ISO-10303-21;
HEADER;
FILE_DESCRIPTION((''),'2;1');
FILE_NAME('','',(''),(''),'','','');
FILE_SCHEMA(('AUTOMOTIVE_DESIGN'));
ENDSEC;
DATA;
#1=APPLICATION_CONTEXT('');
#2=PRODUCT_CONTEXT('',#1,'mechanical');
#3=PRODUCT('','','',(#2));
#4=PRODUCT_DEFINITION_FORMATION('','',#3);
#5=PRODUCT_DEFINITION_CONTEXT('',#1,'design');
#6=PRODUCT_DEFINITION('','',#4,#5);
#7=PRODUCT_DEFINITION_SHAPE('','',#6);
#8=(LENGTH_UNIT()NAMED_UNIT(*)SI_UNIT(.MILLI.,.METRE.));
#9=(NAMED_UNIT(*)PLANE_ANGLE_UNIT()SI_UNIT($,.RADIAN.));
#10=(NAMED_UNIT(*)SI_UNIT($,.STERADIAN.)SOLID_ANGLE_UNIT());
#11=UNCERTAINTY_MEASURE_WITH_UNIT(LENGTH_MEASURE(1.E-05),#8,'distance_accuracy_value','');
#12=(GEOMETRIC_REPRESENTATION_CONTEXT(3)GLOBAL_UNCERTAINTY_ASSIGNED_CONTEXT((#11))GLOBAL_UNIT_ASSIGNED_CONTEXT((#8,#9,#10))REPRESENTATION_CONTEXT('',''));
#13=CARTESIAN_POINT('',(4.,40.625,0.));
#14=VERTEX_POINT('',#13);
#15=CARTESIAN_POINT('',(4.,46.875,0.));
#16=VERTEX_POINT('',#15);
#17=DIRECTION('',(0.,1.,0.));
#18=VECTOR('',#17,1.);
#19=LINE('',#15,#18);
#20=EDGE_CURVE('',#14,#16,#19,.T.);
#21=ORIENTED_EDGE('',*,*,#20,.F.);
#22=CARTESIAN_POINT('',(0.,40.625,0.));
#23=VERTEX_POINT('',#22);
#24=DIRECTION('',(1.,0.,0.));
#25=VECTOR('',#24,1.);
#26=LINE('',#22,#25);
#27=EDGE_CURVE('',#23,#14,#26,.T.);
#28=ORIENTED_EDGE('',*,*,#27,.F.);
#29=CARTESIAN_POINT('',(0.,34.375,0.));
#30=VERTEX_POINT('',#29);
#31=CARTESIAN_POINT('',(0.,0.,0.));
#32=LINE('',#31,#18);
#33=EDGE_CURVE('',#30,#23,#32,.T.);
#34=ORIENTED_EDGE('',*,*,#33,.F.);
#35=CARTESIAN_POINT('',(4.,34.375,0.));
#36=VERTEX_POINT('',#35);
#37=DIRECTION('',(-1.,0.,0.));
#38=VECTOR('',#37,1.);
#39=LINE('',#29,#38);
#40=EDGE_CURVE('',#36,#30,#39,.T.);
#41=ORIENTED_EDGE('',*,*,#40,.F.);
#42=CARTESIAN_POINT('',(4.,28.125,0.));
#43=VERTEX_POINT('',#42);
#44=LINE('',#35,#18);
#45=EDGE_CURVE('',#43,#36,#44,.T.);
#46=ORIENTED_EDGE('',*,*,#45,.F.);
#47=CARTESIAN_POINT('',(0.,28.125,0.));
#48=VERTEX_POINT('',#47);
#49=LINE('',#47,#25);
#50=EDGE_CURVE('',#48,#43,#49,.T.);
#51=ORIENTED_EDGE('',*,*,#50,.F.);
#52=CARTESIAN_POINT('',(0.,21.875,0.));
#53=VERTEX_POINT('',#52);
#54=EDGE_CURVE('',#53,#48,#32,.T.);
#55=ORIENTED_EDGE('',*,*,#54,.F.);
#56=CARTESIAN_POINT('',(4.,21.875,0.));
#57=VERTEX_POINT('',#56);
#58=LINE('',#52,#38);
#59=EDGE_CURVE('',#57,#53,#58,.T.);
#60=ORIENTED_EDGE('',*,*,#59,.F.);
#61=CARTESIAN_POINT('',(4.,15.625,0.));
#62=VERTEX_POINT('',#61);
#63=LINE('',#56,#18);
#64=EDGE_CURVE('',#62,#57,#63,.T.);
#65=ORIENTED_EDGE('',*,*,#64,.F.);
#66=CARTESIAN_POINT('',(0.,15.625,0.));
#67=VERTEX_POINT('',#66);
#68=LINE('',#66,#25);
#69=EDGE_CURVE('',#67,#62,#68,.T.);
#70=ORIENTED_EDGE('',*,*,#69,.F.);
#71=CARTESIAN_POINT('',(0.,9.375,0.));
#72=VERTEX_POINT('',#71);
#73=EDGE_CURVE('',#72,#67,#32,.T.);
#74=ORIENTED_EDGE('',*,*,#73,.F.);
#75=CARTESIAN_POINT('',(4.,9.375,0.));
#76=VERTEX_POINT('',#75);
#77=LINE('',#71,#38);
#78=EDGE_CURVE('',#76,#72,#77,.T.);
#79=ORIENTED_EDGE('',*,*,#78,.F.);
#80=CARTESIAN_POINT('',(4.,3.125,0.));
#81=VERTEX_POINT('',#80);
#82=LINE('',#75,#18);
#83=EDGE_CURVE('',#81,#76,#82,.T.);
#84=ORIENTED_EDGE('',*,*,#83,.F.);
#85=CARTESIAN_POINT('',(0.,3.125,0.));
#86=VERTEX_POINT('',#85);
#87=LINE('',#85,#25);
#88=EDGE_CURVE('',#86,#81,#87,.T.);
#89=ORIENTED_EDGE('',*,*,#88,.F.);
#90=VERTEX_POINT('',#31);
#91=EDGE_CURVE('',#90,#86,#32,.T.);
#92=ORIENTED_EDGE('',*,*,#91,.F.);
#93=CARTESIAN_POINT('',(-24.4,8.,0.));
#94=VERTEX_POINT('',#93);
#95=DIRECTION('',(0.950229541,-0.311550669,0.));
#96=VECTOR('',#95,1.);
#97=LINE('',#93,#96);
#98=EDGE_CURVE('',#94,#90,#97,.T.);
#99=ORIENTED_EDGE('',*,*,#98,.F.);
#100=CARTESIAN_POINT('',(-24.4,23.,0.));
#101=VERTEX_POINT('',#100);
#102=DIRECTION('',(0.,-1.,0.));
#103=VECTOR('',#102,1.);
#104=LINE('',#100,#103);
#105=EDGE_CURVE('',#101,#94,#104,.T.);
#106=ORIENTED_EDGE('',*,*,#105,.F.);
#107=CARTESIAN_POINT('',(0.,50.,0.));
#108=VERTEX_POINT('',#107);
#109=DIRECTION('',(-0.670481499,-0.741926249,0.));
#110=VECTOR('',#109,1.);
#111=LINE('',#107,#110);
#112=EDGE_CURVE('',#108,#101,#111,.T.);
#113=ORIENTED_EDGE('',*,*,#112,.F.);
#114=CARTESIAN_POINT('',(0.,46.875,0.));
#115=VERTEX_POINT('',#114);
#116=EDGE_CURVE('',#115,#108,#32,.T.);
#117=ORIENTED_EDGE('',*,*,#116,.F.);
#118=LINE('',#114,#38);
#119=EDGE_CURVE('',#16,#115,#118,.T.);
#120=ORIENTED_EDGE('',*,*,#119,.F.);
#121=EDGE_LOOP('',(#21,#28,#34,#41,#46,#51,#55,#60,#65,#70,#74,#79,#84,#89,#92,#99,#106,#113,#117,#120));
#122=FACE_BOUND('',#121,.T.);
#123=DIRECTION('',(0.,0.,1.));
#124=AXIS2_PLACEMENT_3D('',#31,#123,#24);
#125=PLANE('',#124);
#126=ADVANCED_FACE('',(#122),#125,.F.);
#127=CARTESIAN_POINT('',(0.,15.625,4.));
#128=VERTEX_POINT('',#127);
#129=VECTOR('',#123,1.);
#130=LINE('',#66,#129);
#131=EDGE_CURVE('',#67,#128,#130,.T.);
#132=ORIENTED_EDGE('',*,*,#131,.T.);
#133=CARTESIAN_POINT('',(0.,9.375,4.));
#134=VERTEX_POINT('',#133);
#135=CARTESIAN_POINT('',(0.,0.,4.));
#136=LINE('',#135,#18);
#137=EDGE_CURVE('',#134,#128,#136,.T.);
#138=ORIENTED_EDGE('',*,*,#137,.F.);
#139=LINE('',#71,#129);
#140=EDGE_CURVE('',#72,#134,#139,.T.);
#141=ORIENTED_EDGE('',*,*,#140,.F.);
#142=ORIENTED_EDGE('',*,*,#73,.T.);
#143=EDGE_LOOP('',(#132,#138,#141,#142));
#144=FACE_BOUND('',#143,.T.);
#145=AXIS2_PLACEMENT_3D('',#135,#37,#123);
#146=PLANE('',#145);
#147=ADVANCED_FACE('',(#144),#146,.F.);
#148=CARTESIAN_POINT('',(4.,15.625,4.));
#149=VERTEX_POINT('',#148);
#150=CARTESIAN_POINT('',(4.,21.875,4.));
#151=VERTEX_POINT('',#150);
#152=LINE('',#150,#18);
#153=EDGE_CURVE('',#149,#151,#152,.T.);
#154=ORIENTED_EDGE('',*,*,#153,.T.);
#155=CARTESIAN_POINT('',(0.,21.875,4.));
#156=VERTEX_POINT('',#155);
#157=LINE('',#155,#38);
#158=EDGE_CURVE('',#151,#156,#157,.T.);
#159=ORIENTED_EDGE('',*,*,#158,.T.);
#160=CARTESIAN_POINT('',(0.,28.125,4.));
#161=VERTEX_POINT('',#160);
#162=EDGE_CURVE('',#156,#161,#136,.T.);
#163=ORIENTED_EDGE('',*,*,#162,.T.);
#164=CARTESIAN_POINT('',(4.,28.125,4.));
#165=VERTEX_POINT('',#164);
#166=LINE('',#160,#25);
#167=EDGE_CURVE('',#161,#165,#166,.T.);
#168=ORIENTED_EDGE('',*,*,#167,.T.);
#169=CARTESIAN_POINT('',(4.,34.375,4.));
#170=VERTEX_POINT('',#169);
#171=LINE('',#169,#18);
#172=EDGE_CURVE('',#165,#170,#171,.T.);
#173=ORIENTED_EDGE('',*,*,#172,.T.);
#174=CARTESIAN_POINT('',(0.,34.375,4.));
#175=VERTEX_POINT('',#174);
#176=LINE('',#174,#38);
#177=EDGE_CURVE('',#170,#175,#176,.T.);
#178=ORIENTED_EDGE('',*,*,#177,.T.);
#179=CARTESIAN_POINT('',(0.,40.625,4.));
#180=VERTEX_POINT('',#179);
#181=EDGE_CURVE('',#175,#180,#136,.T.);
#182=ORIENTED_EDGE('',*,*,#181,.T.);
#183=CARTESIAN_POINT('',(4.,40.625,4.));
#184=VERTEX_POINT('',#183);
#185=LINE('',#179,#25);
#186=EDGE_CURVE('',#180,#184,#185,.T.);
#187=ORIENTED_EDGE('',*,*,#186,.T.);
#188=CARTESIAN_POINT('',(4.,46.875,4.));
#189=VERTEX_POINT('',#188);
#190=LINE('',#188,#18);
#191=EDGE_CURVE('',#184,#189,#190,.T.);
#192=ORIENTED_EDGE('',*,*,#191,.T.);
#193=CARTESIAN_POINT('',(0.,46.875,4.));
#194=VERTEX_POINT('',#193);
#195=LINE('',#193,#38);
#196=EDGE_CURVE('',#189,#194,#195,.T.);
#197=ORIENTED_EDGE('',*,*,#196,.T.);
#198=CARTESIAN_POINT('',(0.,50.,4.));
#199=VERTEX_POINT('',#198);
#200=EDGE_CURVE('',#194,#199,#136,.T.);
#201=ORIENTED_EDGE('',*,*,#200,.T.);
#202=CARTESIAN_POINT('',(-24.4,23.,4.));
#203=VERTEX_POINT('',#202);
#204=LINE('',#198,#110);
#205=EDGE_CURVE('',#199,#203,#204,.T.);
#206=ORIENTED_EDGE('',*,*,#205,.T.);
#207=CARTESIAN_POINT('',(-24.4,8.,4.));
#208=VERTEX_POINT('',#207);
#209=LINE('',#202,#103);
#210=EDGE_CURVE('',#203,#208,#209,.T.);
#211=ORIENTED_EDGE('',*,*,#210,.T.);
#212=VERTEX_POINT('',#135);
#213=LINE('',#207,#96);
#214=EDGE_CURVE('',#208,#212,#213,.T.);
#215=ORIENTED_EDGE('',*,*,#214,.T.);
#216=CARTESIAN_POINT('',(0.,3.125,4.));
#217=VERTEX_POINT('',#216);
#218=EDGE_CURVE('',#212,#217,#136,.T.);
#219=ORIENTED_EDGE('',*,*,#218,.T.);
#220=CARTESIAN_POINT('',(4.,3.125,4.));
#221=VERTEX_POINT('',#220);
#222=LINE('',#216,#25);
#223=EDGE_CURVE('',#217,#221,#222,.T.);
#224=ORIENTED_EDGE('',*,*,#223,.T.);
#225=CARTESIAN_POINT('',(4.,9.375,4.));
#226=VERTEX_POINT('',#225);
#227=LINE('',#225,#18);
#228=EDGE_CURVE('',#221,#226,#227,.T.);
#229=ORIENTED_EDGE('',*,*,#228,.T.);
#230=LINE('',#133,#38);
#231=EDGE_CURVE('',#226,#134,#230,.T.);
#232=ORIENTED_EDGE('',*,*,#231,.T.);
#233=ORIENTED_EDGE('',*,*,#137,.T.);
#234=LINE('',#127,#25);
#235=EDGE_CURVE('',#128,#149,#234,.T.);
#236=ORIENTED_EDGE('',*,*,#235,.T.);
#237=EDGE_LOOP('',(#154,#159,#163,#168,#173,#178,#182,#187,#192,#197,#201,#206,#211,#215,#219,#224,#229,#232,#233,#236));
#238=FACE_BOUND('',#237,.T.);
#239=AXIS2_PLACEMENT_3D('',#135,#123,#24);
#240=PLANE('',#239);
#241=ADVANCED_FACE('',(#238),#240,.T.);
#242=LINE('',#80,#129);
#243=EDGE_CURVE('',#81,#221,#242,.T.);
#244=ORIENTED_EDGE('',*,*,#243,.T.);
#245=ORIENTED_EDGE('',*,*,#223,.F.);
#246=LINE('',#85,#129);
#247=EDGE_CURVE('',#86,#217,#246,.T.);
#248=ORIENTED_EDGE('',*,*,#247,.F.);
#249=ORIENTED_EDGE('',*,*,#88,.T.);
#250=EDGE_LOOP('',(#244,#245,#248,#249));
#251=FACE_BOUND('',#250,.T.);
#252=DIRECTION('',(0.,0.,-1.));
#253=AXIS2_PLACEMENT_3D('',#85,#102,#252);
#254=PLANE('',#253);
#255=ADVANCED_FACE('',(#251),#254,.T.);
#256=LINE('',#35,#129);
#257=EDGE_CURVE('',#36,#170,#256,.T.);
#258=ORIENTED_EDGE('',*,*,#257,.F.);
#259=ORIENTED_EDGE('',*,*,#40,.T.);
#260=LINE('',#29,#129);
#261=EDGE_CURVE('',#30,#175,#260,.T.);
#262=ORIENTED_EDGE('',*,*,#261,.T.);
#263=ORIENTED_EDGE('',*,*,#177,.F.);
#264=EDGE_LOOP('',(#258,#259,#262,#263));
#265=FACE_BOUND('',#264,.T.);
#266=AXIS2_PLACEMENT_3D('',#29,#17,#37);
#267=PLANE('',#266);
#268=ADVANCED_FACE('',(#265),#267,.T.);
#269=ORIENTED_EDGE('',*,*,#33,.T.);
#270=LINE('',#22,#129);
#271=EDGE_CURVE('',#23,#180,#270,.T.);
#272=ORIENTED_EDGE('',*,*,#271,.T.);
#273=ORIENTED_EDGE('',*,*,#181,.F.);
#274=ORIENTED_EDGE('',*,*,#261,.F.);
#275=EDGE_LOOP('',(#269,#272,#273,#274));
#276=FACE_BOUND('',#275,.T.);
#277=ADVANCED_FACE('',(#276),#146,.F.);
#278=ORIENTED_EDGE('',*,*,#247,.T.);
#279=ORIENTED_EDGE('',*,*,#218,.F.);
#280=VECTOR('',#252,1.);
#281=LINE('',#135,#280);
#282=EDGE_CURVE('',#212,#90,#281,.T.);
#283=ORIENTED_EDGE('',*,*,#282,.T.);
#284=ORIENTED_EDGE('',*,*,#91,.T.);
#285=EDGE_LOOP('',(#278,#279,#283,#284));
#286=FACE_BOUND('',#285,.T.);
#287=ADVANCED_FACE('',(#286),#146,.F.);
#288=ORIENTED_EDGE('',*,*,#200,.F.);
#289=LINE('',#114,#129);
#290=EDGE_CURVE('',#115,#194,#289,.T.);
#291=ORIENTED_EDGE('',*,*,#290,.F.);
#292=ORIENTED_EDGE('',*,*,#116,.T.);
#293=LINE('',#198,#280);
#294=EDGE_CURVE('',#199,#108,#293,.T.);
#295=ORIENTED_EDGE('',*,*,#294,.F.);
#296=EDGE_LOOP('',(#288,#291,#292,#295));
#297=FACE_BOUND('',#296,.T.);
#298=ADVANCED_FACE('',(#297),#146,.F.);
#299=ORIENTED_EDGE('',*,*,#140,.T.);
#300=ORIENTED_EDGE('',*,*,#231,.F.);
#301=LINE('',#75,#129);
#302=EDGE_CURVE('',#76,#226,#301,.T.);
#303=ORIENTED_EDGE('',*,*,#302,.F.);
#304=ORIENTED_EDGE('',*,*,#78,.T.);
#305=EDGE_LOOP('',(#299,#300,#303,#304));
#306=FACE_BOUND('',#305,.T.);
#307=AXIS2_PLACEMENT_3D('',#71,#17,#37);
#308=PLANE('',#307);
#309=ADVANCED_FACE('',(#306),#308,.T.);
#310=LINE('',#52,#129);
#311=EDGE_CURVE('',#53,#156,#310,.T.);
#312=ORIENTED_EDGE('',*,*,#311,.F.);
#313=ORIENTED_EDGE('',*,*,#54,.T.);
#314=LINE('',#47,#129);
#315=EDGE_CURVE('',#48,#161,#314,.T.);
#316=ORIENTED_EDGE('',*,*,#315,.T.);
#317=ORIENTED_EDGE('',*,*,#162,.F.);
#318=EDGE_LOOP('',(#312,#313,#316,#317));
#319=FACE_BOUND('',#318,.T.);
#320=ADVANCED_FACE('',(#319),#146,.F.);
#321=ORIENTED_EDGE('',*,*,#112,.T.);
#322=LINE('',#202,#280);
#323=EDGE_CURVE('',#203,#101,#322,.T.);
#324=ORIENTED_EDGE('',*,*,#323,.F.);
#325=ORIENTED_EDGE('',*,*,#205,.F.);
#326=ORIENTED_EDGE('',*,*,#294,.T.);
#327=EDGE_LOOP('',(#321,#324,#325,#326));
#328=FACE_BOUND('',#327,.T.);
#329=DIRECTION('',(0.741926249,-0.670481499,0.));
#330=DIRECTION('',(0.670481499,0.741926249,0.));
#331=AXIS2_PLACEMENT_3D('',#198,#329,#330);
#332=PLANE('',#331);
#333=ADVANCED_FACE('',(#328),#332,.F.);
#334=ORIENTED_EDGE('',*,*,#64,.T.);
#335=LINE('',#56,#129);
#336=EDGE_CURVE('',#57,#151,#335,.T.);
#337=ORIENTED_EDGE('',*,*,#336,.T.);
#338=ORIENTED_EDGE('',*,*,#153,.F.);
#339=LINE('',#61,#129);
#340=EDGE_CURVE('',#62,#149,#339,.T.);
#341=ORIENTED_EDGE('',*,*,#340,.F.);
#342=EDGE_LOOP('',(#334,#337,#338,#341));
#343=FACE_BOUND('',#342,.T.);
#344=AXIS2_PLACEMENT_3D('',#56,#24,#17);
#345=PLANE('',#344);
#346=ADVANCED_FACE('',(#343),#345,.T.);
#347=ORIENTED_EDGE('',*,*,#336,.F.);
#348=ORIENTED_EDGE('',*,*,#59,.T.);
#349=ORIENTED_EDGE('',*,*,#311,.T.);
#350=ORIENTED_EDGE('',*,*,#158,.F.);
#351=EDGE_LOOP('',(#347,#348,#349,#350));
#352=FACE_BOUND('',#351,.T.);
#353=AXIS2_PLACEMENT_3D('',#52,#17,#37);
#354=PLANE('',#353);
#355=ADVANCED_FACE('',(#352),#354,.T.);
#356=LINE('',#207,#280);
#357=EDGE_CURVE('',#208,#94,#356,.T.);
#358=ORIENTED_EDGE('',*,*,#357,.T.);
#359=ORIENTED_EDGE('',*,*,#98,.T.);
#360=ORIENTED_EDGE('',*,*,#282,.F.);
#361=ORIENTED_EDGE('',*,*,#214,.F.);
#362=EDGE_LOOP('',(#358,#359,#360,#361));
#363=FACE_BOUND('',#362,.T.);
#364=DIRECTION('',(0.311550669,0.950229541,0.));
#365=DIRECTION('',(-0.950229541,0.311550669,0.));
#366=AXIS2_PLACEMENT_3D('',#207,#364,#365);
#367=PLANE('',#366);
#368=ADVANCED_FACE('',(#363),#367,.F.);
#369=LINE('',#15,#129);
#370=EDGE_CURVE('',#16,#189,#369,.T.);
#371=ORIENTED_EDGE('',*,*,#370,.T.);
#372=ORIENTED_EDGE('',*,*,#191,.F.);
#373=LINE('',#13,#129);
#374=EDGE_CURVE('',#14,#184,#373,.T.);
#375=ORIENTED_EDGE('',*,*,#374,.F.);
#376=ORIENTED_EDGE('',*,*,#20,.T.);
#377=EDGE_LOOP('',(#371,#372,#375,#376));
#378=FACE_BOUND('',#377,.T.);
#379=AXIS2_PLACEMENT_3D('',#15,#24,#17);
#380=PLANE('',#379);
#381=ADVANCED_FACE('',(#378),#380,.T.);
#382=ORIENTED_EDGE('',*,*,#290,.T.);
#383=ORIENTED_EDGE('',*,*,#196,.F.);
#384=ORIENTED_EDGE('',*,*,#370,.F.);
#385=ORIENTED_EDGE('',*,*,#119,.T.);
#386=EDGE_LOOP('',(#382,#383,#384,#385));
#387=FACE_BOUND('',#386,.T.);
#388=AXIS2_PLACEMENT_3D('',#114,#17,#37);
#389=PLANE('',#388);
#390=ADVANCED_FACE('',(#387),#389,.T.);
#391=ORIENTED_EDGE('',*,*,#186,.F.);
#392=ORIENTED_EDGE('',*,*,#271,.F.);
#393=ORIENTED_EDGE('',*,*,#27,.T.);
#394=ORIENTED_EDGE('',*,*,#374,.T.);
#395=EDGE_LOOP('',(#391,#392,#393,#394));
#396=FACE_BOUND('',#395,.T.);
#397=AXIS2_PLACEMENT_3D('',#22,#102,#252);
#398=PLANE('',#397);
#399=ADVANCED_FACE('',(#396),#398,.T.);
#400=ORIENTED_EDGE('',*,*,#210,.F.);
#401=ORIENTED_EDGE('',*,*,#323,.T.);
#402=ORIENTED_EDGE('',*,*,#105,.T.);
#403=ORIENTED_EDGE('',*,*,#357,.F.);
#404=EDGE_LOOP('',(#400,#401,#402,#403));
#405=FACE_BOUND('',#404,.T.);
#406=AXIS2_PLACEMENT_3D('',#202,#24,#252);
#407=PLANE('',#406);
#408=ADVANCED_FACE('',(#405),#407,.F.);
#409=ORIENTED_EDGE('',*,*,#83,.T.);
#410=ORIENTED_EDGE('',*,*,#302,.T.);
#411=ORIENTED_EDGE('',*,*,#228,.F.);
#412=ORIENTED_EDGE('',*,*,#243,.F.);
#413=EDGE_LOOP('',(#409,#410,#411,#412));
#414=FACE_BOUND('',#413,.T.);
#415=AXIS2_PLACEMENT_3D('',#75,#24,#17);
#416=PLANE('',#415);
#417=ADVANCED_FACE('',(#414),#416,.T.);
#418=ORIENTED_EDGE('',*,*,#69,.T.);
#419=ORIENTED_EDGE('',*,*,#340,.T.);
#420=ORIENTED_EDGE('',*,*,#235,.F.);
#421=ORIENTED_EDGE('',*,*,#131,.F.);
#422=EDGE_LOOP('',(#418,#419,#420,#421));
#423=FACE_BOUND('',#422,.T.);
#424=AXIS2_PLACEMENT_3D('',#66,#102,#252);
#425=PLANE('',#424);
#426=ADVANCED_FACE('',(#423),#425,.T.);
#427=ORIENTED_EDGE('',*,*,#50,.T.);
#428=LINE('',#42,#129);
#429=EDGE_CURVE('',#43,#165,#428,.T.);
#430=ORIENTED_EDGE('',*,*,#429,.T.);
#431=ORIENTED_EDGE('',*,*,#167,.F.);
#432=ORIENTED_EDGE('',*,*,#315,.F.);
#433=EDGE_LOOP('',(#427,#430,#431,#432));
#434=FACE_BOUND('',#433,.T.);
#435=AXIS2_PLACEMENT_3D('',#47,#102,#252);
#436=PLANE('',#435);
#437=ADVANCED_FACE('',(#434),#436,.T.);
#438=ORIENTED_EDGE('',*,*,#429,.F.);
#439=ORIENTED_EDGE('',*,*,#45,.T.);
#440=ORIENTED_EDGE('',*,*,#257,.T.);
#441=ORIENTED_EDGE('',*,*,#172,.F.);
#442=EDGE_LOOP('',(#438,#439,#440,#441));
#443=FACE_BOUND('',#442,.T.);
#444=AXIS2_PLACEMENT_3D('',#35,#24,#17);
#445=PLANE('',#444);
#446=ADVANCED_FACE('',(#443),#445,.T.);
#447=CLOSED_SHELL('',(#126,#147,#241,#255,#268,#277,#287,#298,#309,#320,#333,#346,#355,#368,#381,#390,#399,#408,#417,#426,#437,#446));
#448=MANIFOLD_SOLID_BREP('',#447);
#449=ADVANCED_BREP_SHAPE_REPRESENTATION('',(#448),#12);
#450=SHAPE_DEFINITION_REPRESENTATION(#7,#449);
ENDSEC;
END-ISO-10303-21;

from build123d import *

# Parameters (mm, degrees)
ESTRUSIONE_ESTRUSIONE1_DEPTH = 4
SCHIZZO2_W                   = 4
SCHIZZO2_H                   = 6.25
ESTRUSIONE_ESTRUSIONE2_DEPTH = 4
RIPETIZIONE_A_L1_COUNT       = 4
RIPETIZIONE_A_L1_PITCH       = 12.5


with BuildPart() as part:
    # Schizzo1 → Estrusione-Estrusione1 (new body)
    with BuildSketch(Plane.XY):
        Polygon((-24.4, 23), (-24.4, 8), (0, 0), (0, 50), align=None)
    extrude(amount=ESTRUSIONE_ESTRUSIONE1_DEPTH)

    # Schizzo2 → Estrusione-Estrusione2 (add)
    with BuildSketch(Plane.XY.offset(4)):
        with Locations((2, 43.75)):
            Rectangle(SCHIZZO2_W, SCHIZZO2_H)
    estrusione_estrusione2 = extrude(amount=-ESTRUSIONE_ESTRUSIONE2_DEPTH)

    # Ripetizione a L1: Estrusione-Estrusione2 ×4
    with Locations(*[(0, -i * RIPETIZIONE_A_L1_PITCH, 0) for i in range(1, RIPETIZIONE_A_L1_COUNT)]):
        add(estrusione_estrusione2)


solid = part.part
